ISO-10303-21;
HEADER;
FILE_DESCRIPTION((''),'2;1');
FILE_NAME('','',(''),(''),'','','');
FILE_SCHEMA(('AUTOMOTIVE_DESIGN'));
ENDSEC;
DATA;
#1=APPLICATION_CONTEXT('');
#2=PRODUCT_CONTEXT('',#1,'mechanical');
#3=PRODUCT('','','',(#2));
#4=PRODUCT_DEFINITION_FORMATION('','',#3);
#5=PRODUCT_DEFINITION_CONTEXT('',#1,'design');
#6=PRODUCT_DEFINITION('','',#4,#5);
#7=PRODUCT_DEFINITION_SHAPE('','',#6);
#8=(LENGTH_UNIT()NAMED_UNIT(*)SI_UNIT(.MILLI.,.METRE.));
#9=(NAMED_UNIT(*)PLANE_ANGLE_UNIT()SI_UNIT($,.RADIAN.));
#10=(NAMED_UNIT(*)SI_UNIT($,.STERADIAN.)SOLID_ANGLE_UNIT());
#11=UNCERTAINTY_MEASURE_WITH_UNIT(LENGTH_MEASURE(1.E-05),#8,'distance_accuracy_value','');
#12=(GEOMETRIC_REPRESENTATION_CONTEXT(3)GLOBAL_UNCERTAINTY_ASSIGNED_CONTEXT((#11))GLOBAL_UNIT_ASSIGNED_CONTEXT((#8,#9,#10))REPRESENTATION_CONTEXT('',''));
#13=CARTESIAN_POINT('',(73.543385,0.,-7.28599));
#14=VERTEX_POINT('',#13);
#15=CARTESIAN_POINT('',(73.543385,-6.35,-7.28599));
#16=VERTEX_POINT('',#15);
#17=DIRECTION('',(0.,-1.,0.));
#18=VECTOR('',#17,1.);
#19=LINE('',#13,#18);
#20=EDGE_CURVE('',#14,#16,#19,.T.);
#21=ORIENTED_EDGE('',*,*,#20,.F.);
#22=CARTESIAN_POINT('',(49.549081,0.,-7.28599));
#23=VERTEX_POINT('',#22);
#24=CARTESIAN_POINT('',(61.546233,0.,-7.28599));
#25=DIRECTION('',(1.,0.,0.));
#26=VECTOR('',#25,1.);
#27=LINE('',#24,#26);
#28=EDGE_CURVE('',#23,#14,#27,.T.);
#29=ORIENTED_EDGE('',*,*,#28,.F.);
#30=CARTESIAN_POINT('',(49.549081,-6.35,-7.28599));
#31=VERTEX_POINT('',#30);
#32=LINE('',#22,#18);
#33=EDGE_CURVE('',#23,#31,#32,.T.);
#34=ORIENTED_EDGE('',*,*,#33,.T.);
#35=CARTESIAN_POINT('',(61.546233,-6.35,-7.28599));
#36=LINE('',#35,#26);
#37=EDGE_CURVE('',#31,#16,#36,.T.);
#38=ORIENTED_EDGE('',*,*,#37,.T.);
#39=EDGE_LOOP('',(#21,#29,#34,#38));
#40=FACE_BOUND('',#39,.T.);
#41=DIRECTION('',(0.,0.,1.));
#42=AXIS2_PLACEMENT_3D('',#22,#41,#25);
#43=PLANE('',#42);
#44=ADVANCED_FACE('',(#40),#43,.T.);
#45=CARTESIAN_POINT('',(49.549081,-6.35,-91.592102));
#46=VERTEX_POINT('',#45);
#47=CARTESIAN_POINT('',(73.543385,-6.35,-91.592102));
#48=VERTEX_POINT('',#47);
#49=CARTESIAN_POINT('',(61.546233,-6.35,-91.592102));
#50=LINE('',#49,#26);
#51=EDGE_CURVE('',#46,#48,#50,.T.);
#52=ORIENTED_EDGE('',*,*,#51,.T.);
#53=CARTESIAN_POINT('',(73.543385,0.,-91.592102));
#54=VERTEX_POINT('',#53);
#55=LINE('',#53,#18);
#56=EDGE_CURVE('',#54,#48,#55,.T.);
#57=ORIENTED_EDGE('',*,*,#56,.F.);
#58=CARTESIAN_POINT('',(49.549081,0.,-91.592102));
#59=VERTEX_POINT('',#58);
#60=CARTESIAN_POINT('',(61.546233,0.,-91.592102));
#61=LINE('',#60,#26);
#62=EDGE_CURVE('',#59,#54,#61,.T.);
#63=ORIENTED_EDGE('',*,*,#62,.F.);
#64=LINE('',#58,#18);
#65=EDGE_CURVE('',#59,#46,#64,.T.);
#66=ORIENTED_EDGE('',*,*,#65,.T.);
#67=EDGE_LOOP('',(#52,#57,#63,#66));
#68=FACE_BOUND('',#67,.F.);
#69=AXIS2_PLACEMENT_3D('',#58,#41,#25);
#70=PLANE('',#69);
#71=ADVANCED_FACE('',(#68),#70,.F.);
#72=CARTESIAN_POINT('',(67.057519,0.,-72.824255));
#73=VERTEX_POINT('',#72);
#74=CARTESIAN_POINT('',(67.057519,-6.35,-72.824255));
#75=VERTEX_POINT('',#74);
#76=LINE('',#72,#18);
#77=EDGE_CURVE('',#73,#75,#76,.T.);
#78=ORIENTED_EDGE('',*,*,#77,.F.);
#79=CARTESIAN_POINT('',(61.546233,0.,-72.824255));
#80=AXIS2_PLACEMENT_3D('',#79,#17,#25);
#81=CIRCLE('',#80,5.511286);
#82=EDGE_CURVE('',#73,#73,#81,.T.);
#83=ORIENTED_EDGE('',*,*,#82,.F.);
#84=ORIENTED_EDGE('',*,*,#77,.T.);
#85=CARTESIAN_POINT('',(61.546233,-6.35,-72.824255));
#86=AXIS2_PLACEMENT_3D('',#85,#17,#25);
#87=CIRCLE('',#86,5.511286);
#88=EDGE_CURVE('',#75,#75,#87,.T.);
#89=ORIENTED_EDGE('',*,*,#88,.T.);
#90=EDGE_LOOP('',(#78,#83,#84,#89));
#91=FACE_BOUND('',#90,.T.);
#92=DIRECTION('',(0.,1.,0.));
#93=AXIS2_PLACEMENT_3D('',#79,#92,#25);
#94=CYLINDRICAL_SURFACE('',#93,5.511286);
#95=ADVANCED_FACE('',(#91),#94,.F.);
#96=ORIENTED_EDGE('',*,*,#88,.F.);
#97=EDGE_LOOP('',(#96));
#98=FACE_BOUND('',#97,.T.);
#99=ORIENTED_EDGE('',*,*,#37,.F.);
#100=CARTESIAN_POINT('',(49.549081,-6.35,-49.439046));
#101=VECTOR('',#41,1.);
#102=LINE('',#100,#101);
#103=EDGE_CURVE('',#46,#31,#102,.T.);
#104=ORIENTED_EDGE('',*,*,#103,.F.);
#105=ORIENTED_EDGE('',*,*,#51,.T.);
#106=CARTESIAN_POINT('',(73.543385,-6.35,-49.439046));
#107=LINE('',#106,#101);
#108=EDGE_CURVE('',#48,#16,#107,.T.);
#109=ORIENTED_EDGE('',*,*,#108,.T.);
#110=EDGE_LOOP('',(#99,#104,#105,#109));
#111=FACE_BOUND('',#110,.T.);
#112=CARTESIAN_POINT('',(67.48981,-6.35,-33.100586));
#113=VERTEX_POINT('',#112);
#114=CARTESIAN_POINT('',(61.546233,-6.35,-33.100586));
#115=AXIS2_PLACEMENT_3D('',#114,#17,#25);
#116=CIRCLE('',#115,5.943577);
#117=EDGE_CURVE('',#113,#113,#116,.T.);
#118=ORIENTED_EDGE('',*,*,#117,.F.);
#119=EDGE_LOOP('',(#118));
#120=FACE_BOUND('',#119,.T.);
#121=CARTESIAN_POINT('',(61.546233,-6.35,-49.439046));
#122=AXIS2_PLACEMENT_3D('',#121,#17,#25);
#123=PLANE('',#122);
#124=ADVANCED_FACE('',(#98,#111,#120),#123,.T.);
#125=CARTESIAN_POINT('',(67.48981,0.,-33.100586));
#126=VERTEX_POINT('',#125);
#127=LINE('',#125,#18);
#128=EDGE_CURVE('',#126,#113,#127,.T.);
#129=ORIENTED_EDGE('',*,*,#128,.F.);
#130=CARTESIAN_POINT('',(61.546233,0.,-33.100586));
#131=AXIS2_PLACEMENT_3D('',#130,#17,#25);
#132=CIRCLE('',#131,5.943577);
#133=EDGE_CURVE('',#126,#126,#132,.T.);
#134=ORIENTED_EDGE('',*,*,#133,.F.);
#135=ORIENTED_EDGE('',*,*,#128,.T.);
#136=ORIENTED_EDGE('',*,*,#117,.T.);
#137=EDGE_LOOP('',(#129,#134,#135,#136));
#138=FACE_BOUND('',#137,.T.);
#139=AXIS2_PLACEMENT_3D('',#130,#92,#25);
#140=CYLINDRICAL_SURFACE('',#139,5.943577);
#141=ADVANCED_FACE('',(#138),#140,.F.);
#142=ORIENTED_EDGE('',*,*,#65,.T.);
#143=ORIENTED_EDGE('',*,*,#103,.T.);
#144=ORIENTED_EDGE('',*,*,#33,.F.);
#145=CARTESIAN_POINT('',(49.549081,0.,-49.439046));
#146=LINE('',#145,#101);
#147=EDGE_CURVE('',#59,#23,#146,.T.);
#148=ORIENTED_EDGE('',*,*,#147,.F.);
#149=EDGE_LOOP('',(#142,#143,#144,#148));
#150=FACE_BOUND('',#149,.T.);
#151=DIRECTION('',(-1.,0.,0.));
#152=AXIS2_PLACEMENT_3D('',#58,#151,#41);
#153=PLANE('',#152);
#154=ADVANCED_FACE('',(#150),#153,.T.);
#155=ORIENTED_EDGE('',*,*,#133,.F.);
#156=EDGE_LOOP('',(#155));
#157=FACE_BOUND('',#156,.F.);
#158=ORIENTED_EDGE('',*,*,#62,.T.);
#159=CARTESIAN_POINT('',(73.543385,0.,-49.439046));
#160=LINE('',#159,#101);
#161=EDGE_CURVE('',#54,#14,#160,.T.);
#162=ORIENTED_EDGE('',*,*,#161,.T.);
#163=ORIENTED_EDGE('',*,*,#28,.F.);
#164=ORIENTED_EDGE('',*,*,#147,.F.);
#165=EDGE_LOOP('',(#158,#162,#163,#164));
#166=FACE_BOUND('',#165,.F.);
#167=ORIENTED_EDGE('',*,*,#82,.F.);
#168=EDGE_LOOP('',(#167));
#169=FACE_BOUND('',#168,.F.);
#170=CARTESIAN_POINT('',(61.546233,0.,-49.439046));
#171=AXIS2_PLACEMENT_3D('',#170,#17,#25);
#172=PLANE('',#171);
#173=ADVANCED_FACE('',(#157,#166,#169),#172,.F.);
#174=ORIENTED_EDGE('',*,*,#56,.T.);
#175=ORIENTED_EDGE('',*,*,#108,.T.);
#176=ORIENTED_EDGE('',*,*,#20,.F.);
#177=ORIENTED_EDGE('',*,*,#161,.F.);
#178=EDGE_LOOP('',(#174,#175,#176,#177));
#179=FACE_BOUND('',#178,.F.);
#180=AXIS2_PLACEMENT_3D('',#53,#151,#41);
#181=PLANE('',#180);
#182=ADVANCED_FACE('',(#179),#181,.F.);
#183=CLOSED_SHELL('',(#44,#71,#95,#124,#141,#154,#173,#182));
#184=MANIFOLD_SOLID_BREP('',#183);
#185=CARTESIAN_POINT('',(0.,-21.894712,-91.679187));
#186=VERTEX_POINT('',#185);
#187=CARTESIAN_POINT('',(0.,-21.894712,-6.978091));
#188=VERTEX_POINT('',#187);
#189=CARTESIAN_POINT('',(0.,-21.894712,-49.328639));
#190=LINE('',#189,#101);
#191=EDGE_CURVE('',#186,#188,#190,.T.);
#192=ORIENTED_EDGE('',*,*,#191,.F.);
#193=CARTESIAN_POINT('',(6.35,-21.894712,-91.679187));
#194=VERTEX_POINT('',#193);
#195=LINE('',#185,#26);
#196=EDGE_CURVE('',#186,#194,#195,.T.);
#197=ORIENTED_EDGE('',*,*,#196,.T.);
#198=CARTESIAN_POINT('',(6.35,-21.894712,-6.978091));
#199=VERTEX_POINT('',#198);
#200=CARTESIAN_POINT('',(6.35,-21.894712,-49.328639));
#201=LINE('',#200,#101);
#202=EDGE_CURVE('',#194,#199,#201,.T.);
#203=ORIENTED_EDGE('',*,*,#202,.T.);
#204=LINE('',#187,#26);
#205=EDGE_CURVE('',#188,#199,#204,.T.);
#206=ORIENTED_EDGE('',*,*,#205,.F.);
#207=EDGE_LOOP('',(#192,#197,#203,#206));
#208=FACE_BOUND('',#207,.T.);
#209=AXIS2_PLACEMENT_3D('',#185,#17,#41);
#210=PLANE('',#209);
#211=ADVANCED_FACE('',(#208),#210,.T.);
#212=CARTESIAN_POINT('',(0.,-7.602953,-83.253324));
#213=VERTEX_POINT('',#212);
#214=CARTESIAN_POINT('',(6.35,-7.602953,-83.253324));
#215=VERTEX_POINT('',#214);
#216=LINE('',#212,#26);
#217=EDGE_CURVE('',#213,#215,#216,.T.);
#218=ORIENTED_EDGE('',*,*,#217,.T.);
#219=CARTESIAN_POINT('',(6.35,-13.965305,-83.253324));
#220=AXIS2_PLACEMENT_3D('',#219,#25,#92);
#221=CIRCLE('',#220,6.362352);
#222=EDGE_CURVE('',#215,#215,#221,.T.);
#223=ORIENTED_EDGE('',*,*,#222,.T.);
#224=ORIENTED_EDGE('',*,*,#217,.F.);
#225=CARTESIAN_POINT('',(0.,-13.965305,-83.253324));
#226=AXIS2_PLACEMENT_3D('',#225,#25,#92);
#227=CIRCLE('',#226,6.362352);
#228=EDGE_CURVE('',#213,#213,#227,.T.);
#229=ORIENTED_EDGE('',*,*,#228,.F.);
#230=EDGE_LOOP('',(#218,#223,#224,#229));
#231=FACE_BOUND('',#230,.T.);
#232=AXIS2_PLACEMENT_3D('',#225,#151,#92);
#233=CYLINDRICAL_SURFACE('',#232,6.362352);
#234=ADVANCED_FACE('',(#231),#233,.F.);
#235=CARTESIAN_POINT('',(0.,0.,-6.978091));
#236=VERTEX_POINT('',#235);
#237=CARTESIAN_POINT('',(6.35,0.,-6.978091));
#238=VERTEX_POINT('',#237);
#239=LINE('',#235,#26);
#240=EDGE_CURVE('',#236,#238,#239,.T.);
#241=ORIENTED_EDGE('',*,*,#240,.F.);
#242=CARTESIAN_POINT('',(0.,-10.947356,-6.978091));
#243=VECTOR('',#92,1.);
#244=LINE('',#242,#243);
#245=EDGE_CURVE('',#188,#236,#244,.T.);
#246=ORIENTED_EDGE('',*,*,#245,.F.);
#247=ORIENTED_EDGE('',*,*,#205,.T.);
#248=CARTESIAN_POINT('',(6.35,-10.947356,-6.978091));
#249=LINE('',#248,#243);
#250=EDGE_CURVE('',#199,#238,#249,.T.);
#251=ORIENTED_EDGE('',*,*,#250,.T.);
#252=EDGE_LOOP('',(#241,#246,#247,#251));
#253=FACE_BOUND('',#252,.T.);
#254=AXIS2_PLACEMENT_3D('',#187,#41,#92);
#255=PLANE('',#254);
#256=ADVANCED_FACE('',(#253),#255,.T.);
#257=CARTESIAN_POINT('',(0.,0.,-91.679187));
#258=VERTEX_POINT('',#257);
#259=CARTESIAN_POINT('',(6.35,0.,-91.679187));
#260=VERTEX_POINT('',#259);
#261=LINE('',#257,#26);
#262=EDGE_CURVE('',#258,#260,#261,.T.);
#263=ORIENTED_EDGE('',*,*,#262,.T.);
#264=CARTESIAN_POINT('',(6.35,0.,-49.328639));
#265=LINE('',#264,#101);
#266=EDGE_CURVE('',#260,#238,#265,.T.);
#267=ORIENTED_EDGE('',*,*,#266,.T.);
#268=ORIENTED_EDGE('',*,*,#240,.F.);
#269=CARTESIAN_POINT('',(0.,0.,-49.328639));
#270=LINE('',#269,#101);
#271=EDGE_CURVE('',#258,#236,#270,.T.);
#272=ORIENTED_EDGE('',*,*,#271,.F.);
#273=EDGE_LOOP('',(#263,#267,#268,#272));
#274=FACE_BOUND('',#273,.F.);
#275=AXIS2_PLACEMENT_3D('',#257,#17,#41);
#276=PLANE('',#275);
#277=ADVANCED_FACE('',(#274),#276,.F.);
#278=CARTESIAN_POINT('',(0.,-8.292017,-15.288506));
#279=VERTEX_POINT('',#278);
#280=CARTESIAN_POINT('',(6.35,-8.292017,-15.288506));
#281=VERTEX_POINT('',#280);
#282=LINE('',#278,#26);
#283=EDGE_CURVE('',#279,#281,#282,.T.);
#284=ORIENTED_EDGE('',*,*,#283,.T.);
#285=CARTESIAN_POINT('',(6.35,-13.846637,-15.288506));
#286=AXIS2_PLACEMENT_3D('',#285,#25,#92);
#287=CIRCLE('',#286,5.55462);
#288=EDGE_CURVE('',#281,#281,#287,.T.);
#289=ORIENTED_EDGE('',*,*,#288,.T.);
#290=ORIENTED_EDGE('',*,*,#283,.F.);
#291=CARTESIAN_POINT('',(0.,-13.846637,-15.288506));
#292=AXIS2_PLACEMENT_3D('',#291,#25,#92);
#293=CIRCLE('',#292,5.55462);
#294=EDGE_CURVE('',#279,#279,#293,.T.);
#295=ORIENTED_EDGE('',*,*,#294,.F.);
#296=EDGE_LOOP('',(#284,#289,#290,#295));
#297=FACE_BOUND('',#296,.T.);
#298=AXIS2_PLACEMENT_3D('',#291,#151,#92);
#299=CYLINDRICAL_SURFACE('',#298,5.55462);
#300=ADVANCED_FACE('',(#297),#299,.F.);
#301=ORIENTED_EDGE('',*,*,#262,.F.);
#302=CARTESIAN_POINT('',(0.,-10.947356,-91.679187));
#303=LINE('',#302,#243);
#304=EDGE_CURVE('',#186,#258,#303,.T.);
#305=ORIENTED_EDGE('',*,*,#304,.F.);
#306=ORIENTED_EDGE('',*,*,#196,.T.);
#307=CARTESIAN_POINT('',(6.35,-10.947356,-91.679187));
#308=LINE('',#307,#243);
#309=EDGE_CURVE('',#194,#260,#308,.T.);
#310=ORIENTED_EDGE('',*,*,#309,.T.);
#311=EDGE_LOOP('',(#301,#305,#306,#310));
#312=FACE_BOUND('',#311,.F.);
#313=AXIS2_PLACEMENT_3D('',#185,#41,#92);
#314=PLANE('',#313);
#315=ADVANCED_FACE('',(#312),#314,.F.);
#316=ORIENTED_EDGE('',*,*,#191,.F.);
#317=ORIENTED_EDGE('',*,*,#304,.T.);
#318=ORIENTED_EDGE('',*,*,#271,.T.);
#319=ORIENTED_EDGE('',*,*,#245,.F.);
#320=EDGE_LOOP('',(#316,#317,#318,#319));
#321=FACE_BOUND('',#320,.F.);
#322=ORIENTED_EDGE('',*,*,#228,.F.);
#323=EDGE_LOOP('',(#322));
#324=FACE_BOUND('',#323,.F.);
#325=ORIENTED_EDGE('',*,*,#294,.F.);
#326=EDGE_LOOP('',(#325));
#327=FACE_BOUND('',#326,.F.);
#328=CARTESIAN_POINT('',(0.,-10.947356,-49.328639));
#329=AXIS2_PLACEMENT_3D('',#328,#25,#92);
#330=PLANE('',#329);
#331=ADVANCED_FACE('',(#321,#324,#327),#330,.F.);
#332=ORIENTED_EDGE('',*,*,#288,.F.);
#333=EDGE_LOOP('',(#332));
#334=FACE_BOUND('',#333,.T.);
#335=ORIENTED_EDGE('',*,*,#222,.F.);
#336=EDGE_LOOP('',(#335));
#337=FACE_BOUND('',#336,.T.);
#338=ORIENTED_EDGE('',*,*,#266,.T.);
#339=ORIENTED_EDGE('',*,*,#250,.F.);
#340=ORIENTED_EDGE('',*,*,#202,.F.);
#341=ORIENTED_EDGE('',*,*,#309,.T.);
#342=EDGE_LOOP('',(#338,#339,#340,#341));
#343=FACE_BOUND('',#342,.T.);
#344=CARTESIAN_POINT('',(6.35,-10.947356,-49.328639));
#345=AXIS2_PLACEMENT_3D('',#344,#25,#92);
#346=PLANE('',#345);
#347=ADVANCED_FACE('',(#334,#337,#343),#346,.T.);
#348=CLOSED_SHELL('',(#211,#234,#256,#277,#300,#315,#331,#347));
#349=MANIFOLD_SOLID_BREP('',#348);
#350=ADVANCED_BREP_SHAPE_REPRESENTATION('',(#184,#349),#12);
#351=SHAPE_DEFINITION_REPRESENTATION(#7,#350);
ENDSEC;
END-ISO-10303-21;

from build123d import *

# Parameters (mm, degrees)
F0_W     = 23.994305
F0_H     = 84.306113
F0_R     = 5.511286
F0_R_2   = 5.943577
F1_DEPTH = 6.35
F2_W     = 21.894712
F2_H     = 84.701095
F2_R     = 6.362352
F2_R_2   = 5.55462
F3_DEPTH = 6.35


with BuildPart() as f1:
    # F0 (on Front) → F1 (new body)
    with BuildSketch(Plane.XZ):
        with Locations((61.546233, -49.439046)):
            Rectangle(F0_W, F0_H)
        with Locations((61.546233, -72.824255)):
            Circle(F0_R, mode=Mode.SUBTRACT)
        with Locations((61.546233, -33.100586)):
            Circle(F0_R_2, mode=Mode.SUBTRACT)
    extrude(amount=F1_DEPTH)


with BuildPart() as f3:
    # F2 (on Right) → F3 (new body)
    with BuildSketch(Plane.YZ):
        with Locations((-10.947356, -49.328639)):
            Rectangle(F2_W, F2_H)
        with Locations((-13.965305, -83.253324)):
            Circle(F2_R, mode=Mode.SUBTRACT)
        with Locations((-13.846637, -15.288506)):
            Circle(F2_R_2, mode=Mode.SUBTRACT)
    extrude(amount=F3_DEPTH)


solid = Compound([f1.part, f3.part])
